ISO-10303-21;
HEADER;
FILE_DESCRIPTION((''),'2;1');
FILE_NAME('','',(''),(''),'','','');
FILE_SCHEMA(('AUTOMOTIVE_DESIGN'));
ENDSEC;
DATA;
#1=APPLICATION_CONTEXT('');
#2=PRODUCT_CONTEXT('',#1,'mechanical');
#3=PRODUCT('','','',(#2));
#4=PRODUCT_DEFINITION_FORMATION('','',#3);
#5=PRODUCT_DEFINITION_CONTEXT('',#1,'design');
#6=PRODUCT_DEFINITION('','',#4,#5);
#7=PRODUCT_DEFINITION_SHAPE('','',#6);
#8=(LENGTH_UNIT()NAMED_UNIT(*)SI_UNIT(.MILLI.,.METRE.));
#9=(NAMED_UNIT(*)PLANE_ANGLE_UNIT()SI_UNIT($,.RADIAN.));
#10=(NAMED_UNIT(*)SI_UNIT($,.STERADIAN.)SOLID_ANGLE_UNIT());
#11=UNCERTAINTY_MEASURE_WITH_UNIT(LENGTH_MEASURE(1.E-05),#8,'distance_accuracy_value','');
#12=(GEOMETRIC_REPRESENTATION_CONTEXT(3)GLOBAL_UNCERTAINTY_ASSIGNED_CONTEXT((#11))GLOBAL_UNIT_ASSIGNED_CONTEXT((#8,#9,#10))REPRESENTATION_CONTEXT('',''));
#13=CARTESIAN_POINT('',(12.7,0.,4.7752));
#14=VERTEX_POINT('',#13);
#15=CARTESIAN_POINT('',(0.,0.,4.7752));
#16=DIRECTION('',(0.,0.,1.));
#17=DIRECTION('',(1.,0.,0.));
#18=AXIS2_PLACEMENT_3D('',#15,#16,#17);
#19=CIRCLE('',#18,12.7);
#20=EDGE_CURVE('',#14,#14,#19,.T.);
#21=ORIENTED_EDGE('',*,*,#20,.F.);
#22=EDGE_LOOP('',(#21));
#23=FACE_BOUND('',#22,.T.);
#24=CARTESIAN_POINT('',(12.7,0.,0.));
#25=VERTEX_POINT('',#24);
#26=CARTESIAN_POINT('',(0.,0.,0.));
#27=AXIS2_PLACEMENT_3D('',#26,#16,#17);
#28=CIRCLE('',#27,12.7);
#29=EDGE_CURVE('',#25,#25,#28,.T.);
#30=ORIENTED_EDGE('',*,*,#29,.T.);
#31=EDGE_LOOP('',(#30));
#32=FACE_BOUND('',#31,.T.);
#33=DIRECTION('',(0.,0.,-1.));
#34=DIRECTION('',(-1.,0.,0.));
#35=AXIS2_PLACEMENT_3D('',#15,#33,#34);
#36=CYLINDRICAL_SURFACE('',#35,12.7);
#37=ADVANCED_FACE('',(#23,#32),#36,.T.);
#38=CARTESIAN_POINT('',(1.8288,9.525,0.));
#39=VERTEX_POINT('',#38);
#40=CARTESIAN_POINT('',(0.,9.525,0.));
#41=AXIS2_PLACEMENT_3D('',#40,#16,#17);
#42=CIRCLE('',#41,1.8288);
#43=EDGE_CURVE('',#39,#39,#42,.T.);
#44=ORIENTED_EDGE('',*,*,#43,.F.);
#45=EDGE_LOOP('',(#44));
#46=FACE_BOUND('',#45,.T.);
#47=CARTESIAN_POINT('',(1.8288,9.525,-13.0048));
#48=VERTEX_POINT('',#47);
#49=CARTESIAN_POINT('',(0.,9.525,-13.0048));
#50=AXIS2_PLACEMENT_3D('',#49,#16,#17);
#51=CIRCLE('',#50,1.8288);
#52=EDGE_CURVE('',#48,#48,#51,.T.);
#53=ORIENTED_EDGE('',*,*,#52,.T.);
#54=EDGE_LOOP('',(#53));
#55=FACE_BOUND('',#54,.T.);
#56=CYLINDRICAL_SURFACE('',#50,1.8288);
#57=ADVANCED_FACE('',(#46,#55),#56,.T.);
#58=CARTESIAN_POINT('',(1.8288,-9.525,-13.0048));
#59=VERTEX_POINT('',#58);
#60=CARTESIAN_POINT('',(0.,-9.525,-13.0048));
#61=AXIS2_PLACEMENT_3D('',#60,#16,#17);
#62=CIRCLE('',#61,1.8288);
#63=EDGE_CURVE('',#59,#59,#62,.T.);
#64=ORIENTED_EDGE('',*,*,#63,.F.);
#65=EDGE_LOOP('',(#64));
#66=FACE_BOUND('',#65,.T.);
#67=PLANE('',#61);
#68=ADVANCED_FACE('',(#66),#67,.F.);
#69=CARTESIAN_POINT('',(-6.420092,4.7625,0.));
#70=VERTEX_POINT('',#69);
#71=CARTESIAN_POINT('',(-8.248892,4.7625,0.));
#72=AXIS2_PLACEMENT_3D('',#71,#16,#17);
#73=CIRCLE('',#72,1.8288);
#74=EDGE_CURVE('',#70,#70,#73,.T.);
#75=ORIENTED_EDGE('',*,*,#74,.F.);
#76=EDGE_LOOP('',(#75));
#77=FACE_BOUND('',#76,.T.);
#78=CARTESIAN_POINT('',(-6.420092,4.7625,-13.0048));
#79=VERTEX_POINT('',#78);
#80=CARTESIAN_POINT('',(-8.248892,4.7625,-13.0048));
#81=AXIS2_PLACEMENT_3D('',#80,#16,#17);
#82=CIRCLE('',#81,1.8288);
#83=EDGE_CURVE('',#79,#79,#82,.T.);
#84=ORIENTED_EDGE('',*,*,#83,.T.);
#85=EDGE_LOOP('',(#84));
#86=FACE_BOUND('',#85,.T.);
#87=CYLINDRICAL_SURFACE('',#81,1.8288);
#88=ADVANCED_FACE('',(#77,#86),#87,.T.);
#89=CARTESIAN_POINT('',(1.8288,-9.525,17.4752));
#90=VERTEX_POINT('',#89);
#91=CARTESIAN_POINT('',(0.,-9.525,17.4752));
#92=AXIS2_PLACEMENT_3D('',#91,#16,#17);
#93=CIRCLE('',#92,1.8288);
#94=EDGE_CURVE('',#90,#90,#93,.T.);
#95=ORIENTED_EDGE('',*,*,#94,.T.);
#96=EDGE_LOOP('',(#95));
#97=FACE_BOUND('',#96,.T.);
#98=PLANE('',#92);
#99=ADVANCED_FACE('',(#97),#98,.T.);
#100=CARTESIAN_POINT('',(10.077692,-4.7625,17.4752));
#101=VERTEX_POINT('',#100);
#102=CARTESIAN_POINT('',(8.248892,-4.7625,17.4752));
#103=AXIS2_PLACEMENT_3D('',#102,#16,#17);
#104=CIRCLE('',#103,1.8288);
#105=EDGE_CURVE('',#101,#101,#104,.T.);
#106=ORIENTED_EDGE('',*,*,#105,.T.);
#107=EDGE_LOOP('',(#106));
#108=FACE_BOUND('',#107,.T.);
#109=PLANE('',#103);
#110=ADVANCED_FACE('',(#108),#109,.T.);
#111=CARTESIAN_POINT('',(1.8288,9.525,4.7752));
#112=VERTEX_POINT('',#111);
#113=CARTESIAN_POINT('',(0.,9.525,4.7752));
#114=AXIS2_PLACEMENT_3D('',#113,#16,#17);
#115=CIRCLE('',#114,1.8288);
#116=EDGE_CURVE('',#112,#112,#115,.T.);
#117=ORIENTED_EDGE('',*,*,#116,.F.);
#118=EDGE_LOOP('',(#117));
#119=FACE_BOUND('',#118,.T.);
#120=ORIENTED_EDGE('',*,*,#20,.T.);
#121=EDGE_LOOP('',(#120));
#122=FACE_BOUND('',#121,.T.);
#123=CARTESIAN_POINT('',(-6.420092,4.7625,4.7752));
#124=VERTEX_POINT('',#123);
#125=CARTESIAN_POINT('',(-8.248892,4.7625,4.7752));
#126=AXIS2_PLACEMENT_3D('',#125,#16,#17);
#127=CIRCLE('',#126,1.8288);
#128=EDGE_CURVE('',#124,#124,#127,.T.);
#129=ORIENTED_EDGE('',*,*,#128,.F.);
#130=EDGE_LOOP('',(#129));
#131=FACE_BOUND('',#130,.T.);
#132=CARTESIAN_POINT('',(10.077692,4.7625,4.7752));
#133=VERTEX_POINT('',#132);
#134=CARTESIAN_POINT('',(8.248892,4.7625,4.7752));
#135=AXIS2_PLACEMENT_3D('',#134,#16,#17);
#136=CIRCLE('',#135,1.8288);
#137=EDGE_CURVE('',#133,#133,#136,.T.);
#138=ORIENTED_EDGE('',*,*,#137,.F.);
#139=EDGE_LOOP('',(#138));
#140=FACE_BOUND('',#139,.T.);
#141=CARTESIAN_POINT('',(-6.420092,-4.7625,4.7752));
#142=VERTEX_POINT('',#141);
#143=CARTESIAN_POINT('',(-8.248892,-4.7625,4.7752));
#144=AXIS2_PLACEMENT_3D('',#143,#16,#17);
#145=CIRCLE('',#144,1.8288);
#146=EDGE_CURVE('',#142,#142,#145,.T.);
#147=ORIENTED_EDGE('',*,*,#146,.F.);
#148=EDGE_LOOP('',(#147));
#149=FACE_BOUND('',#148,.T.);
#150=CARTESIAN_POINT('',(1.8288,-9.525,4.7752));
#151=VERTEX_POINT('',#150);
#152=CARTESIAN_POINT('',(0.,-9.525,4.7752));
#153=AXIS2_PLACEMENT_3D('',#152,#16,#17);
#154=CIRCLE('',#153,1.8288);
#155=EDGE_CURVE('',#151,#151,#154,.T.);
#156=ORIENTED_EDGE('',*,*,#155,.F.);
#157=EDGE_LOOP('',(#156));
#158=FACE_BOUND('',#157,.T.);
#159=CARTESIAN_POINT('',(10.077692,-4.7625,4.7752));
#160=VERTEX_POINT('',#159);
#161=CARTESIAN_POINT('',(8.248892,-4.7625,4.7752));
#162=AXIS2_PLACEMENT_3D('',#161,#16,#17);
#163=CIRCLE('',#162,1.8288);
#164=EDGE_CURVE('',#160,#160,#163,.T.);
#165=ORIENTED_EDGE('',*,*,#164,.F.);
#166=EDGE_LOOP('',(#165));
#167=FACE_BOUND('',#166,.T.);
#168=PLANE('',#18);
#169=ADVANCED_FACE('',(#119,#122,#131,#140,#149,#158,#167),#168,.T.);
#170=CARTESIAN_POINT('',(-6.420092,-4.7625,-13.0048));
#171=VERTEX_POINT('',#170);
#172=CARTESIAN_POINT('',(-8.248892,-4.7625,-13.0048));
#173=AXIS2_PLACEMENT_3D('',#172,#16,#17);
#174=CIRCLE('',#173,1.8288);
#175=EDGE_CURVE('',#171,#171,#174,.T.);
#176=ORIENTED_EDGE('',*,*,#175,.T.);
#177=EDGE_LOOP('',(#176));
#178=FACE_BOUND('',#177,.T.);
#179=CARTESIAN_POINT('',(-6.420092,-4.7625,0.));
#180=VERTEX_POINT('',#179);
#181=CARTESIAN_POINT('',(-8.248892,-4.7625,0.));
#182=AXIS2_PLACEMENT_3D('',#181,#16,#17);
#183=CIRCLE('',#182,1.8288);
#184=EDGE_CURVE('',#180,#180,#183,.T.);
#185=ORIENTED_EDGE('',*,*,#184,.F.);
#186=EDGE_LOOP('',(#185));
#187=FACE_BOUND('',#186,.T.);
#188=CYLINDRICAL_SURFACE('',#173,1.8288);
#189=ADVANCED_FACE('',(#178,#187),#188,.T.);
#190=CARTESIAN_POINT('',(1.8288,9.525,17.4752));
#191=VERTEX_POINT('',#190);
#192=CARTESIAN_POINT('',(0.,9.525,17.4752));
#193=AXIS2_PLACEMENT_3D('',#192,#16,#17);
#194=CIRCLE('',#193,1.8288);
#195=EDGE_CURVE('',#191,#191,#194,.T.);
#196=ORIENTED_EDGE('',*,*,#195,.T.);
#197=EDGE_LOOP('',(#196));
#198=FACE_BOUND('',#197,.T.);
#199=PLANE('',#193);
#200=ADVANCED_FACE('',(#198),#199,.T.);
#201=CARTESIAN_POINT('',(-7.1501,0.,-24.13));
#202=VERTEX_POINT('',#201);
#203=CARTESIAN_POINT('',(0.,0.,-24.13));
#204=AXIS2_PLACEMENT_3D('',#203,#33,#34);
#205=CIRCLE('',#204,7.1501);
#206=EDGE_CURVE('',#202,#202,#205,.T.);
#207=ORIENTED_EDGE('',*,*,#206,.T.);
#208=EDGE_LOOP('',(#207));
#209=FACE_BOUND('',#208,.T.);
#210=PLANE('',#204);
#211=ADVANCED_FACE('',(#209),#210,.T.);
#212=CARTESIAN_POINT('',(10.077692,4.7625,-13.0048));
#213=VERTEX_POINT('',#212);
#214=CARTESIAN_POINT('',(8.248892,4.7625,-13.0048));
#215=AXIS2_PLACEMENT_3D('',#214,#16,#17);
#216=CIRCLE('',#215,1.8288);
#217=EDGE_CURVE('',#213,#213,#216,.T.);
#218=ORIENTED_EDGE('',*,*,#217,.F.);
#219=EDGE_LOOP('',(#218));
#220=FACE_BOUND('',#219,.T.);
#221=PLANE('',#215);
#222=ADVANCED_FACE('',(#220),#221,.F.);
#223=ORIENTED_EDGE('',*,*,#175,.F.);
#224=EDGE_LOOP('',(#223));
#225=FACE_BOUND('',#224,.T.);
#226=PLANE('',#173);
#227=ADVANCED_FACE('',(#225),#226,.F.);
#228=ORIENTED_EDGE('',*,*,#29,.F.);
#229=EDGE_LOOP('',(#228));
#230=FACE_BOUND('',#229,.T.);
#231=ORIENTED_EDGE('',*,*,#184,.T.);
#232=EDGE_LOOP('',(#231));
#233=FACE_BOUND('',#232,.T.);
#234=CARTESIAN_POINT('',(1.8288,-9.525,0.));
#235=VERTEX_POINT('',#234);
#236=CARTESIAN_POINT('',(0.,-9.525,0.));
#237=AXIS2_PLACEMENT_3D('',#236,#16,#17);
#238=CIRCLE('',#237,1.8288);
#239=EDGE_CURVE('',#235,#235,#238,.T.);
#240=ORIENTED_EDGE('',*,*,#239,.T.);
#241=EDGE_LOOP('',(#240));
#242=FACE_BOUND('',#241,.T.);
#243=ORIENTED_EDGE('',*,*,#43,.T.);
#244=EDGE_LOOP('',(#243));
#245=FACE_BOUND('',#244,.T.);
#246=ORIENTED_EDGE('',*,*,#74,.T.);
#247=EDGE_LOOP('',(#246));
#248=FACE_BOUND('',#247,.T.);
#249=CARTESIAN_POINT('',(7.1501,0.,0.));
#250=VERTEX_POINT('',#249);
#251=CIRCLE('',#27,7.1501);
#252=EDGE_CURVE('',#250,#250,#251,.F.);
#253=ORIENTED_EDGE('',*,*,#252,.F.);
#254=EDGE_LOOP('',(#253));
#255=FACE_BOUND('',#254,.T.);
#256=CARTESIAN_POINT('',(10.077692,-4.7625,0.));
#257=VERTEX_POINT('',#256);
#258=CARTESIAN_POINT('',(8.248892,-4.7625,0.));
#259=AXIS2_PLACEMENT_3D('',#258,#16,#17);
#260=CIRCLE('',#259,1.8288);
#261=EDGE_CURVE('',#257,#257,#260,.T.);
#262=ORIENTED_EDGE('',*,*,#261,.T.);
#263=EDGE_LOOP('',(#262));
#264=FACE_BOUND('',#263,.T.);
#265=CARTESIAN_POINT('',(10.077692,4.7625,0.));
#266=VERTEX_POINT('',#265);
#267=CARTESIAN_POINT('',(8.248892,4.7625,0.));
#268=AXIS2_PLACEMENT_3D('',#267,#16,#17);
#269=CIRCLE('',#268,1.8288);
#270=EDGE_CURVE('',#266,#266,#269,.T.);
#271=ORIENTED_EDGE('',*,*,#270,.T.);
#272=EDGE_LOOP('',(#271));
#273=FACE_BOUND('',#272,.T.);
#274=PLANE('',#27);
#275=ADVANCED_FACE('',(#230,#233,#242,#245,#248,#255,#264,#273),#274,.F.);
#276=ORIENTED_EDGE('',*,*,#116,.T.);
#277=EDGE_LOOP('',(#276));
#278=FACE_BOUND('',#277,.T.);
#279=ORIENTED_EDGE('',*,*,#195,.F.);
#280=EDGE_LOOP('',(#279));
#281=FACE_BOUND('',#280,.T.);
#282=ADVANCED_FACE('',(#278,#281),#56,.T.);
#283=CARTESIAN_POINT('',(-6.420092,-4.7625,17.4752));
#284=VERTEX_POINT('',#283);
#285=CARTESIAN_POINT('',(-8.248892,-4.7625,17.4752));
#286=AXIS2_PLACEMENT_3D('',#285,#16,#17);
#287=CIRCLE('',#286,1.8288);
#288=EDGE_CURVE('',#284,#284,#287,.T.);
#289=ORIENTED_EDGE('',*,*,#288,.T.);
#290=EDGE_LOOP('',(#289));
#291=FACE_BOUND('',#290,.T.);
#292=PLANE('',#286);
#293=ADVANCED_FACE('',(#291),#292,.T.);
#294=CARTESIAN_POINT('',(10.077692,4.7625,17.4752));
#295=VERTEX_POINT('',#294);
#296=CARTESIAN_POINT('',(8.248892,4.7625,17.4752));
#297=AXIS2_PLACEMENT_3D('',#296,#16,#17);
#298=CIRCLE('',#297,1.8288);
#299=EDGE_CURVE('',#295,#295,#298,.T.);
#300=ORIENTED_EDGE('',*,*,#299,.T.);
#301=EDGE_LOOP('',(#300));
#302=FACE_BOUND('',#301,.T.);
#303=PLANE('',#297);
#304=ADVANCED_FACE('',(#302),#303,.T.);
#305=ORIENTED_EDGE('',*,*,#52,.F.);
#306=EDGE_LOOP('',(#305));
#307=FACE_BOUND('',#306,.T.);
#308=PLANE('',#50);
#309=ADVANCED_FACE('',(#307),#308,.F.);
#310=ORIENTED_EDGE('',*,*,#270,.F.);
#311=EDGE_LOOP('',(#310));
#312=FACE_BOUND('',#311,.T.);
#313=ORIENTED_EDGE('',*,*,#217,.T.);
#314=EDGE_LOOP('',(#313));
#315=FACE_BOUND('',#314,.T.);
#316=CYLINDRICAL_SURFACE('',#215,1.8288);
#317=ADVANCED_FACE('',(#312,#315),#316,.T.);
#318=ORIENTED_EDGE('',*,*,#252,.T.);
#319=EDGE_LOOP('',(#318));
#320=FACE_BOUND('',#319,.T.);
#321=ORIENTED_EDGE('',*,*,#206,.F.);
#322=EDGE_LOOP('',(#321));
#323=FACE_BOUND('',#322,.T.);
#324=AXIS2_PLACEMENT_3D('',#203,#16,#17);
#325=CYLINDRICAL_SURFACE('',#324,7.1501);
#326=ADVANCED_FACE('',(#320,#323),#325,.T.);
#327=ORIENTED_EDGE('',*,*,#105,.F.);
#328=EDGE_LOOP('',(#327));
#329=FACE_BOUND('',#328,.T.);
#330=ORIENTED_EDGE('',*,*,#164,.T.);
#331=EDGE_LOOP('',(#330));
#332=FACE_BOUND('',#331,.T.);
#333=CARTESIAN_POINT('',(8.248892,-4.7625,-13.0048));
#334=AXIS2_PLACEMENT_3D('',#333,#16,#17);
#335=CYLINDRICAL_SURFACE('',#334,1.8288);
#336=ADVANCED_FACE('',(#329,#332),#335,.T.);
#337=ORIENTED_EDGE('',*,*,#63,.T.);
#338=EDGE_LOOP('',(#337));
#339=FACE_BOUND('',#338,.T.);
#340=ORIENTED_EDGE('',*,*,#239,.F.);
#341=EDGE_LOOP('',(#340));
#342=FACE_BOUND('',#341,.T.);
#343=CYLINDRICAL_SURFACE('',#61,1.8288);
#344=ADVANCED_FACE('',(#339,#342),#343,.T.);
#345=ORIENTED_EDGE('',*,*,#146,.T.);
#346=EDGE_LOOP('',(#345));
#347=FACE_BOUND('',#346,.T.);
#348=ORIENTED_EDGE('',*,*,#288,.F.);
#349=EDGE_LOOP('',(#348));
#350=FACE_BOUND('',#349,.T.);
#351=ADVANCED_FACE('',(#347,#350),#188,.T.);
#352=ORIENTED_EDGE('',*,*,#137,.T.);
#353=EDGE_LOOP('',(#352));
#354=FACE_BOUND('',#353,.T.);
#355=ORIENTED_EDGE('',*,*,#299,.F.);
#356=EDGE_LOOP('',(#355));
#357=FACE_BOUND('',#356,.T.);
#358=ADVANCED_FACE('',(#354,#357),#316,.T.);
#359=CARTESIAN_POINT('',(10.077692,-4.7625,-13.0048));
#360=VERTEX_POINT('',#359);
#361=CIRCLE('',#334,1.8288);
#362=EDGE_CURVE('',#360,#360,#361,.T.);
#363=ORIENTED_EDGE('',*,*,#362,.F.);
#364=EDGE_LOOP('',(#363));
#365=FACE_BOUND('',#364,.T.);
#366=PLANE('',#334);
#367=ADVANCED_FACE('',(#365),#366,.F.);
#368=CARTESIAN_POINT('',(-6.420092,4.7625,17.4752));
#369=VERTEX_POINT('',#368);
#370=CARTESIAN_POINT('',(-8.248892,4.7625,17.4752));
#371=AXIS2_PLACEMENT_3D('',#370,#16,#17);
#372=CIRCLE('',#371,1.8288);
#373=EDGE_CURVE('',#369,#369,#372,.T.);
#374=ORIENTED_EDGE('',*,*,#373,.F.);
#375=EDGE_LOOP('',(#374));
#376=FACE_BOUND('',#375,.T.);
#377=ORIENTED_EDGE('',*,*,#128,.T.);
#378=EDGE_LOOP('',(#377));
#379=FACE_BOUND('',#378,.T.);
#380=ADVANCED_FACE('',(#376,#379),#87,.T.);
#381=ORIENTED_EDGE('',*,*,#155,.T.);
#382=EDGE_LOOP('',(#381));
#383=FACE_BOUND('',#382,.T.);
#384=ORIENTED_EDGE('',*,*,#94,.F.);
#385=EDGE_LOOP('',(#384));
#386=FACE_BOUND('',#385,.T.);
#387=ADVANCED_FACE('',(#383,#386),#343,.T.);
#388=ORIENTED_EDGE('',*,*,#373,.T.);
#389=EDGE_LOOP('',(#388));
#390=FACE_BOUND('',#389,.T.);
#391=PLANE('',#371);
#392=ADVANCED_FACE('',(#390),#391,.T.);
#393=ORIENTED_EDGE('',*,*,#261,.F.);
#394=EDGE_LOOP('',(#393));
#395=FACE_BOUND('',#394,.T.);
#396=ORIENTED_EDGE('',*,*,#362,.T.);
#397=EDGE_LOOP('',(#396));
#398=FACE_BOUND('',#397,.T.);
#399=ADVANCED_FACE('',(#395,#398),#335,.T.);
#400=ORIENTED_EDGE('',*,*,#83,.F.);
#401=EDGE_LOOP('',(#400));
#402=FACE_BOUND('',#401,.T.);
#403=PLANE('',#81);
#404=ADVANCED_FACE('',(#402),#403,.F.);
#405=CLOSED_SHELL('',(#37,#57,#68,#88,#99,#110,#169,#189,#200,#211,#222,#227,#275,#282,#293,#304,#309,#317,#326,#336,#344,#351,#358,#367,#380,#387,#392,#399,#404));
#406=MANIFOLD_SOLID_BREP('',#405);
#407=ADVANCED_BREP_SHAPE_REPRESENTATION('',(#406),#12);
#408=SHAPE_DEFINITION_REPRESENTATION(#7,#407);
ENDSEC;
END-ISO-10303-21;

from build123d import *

# Parameters (mm, degrees)
SKETCH1_R                = 12.7
BOSS_EXTRUDE1_DEPTH      = 4.7752
SKETCH2_R                = 7.1501
BOSS_EXTRUDE2_DEPTH      = 24.13
SKETCH3_R                = 1.8288
BOSS_EXTRUDE3_DEPTH      = 12.7
BOSS_EXTRUDE3_DEPTH_BACK = 17.78


with BuildPart() as part:
    # Sketch1 → Boss-Extrude1 (new body)
    with BuildSketch(Plane.XY):
        Circle(SKETCH1_R)
    extrude(amount=BOSS_EXTRUDE1_DEPTH)

    # Sketch2 → Boss-Extrude2 (add)
    with BuildSketch(Plane(origin=(0, 0, 0), x_dir=(-1, 0, 0), z_dir=(0, 0, -1))):
        Circle(SKETCH2_R)
    extrude(amount=BOSS_EXTRUDE2_DEPTH)

    # Sketch3 → Boss-Extrude3 (add, two sides)
    with BuildSketch(Plane.XY.offset(4.7752)) as boss_extrude3_sk:
        with Locations((0, 9.525)):
            Circle(SKETCH3_R)
        with Locations((8.248891971, 4.7625)):
            Circle(SKETCH3_R)
        with Locations((8.248891971, -4.7625)):
            Circle(SKETCH3_R)
        with Locations((0, -9.525)):
            Circle(SKETCH3_R)
        with Locations((-8.248891971, -4.7625)):
            Circle(SKETCH3_R)
        with Locations((-8.248891971, 4.7625)):
            Circle(SKETCH3_R)
    extrude(amount=BOSS_EXTRUDE3_DEPTH)
    extrude(boss_extrude3_sk.sketch, amount=-BOSS_EXTRUDE3_DEPTH_BACK)


solid = part.part
